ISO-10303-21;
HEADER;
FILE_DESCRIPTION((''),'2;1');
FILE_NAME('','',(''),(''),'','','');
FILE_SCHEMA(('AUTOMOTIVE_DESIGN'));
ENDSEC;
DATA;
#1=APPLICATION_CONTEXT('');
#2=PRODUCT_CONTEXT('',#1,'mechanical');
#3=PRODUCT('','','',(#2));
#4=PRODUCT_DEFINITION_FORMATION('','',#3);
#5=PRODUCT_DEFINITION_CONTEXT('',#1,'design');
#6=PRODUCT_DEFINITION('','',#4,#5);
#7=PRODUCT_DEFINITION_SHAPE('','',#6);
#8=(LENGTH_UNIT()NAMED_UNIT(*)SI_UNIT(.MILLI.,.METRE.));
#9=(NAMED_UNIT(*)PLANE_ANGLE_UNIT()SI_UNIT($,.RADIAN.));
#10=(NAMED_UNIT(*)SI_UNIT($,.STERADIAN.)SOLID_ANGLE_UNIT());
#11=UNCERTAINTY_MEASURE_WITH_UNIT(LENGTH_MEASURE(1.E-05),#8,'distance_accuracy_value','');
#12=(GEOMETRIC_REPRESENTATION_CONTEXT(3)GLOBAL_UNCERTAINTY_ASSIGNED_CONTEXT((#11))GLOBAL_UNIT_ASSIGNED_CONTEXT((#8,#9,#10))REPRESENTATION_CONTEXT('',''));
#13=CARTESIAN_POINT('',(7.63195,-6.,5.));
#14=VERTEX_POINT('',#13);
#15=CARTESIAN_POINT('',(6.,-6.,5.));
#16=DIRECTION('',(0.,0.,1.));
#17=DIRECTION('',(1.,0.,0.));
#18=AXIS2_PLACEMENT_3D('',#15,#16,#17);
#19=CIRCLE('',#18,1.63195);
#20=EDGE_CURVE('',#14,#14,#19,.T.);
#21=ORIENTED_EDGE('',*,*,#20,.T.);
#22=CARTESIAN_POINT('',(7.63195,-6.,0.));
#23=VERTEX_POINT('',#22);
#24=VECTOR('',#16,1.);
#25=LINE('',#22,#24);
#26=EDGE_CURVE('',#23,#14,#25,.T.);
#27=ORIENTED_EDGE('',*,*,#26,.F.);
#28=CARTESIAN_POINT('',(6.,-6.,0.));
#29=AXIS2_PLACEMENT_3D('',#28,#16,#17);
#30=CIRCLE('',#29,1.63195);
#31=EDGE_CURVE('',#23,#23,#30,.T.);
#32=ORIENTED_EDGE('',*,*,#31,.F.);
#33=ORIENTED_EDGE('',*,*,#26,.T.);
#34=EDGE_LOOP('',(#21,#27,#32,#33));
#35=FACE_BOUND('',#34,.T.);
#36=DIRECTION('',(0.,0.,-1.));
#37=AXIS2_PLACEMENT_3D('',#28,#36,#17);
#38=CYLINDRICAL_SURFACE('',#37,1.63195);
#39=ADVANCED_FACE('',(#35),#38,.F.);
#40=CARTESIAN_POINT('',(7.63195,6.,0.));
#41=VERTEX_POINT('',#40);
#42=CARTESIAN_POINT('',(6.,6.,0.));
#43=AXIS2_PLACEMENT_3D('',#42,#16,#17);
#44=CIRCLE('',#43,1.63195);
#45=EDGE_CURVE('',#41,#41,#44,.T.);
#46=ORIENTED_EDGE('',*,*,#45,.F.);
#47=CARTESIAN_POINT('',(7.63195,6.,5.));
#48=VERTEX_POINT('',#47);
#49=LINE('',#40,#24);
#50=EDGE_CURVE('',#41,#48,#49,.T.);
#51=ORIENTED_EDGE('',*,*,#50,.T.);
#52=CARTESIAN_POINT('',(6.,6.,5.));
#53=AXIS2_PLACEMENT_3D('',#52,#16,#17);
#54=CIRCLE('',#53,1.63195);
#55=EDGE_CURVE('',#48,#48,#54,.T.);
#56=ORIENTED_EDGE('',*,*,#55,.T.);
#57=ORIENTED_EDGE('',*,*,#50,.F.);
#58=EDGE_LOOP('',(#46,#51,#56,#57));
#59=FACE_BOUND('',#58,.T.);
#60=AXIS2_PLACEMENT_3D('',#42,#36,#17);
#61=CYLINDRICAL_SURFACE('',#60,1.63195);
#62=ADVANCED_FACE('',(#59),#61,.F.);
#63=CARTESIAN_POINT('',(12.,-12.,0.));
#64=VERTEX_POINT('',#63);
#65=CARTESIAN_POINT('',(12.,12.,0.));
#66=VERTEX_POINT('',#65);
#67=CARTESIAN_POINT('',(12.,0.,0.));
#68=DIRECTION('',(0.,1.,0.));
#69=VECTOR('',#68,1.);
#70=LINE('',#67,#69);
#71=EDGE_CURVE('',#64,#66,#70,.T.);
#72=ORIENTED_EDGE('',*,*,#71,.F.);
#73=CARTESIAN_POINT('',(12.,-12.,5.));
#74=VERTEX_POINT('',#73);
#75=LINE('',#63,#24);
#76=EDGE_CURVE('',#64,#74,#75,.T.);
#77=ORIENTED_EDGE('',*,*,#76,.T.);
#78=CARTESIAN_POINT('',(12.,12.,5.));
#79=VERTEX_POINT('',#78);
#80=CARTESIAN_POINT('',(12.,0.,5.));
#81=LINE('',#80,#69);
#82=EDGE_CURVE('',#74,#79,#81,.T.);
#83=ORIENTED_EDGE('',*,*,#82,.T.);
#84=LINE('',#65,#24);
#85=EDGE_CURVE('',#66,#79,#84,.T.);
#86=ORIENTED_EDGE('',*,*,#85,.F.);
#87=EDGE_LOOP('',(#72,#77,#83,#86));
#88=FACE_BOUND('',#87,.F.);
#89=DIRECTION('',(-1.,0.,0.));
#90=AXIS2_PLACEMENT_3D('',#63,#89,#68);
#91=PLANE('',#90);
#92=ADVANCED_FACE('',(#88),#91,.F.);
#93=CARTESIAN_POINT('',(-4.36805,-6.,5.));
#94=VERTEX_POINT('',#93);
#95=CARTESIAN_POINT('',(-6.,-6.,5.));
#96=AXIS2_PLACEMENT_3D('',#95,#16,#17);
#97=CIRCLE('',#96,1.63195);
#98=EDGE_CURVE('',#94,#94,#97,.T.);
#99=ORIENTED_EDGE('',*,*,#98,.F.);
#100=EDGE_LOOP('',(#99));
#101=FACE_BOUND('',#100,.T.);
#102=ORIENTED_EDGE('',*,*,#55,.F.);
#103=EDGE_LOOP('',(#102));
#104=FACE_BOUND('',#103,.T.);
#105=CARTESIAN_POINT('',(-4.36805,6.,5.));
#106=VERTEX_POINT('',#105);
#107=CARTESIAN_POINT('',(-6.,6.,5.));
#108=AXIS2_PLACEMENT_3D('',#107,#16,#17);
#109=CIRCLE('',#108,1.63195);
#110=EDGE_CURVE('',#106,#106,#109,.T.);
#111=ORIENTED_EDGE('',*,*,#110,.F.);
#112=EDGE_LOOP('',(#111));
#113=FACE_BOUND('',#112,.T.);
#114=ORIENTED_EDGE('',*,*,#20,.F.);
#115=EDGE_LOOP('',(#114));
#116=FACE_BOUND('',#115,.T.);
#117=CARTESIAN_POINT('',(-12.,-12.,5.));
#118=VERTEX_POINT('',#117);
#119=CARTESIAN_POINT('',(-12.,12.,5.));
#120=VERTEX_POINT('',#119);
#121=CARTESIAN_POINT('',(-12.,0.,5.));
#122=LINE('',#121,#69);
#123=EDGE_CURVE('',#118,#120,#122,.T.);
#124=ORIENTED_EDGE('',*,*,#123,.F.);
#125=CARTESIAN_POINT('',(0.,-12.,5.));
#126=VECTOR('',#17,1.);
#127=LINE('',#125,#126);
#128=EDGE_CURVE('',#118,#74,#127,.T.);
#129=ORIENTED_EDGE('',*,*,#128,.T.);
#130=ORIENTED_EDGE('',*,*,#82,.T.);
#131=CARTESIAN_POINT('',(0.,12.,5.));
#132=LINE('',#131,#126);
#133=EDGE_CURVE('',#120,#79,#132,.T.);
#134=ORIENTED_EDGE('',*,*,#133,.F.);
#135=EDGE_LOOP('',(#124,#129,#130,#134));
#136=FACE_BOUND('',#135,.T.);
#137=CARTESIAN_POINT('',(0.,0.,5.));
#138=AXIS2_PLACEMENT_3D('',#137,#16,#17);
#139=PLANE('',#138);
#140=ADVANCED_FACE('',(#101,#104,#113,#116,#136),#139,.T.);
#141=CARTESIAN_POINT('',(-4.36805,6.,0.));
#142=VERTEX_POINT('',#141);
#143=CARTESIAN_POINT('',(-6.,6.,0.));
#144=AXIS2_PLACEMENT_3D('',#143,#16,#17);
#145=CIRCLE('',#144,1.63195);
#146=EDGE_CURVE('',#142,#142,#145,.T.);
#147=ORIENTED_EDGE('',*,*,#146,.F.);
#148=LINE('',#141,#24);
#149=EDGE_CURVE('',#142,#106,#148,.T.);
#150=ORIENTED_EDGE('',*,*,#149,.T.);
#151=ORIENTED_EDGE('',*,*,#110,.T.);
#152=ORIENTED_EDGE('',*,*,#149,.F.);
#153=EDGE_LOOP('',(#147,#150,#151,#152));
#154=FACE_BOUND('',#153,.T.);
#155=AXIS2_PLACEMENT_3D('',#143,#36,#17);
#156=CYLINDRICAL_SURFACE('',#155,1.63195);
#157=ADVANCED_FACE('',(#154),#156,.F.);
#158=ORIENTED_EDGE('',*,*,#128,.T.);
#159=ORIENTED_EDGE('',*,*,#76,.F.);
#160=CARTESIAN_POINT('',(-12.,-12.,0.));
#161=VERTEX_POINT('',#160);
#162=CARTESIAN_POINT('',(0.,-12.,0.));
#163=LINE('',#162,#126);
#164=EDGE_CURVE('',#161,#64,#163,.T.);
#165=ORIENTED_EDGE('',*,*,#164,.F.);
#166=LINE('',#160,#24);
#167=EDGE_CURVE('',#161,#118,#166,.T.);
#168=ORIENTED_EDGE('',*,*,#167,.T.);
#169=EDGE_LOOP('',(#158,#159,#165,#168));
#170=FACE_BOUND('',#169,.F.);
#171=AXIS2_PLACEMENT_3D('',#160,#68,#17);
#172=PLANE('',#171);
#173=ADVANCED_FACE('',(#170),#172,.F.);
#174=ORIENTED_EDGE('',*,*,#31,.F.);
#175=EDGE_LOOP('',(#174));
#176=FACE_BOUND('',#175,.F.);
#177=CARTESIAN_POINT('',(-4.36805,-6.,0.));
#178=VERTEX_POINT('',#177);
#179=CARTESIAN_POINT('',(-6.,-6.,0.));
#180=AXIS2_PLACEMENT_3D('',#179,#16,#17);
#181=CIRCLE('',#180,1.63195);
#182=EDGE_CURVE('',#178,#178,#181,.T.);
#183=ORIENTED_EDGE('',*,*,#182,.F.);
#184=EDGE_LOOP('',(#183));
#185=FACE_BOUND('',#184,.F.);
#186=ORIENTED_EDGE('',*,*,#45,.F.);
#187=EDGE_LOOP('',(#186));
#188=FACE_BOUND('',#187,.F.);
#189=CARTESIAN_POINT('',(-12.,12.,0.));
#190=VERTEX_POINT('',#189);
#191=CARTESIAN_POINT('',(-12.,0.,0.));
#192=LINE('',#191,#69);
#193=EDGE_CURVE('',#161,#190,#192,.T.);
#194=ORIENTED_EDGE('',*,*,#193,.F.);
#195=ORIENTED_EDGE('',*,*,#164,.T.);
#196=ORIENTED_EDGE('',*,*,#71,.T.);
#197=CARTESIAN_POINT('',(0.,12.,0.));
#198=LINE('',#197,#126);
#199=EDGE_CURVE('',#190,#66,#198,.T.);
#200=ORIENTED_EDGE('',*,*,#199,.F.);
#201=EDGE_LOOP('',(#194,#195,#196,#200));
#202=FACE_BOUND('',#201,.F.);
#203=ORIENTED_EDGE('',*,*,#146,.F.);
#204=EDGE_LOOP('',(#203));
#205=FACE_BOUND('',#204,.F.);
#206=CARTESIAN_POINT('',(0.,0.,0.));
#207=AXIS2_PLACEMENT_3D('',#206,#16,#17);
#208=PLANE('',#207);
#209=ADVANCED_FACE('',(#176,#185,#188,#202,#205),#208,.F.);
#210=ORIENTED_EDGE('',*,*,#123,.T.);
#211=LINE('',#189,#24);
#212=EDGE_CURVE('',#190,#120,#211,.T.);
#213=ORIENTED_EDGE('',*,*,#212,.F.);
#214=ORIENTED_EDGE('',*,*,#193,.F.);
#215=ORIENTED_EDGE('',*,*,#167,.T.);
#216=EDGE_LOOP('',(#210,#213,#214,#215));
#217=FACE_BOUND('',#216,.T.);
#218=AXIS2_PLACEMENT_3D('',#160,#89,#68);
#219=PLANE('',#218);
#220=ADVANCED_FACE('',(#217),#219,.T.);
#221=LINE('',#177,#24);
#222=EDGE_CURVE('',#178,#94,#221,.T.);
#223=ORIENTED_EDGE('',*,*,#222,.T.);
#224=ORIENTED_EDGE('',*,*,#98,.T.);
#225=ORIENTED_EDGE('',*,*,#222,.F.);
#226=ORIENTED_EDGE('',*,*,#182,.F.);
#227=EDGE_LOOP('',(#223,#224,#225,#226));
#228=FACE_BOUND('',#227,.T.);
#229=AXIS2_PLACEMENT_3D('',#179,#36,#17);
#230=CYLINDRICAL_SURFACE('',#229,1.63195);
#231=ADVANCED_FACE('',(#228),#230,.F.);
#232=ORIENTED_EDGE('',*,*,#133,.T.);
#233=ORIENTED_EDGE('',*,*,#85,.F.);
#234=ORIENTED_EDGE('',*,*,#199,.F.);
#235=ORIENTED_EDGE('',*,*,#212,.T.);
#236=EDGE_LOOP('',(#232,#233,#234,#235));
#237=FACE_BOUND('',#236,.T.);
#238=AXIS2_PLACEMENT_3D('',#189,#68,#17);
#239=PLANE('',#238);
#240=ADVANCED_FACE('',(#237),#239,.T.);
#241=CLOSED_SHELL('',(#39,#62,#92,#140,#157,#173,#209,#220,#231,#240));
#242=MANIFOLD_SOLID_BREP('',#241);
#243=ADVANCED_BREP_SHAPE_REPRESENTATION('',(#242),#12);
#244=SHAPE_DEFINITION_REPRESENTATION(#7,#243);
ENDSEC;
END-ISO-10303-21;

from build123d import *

# Parameters (mm, degrees)
F0_W     = 24
F0_H     = 24
F0_W_2   = 7
F0_H_2   = 7
F0_R     = 1.63195
F1_DEPTH = 5


with BuildPart() as f1:
    # F0 (on Top) → F1 (new body)
    with BuildSketch(Plane.XY):
        Rectangle(F0_W, F0_H)
        with Locations((-6, -6)):
            Rectangle(F0_W_2, F0_H_2, mode=Mode.SUBTRACT)
        with Locations((6, -6)):
            Rectangle(F0_W_2, F0_H_2, mode=Mode.SUBTRACT)
        with Locations((-6, 6)):
            Rectangle(F0_W_2, F0_H_2, mode=Mode.SUBTRACT)
        with Locations((6, 6)):
            Rectangle(F0_W_2, F0_H_2, mode=Mode.SUBTRACT)
        with Locations((-6, 6)):
            Rectangle(F0_W_2, F0_H_2)
        with Locations((-6, 6)):
            Circle(F0_R, mode=Mode.SUBTRACT)
        with Locations((6, 6)):
            Rectangle(F0_W_2, F0_H_2)
        with Locations((6, 6)):
            Circle(F0_R, mode=Mode.SUBTRACT)
        with Locations((6, -6)):
            Rectangle(F0_W_2, F0_H_2)
        with Locations((6, -6)):
            Circle(F0_R, mode=Mode.SUBTRACT)
        with Locations((-6, -6)):
            Rectangle(F0_W_2, F0_H_2)
        with Locations((-6, -6)):
            Circle(F0_R, mode=Mode.SUBTRACT)
    extrude(amount=F1_DEPTH)


solid = f1.part
